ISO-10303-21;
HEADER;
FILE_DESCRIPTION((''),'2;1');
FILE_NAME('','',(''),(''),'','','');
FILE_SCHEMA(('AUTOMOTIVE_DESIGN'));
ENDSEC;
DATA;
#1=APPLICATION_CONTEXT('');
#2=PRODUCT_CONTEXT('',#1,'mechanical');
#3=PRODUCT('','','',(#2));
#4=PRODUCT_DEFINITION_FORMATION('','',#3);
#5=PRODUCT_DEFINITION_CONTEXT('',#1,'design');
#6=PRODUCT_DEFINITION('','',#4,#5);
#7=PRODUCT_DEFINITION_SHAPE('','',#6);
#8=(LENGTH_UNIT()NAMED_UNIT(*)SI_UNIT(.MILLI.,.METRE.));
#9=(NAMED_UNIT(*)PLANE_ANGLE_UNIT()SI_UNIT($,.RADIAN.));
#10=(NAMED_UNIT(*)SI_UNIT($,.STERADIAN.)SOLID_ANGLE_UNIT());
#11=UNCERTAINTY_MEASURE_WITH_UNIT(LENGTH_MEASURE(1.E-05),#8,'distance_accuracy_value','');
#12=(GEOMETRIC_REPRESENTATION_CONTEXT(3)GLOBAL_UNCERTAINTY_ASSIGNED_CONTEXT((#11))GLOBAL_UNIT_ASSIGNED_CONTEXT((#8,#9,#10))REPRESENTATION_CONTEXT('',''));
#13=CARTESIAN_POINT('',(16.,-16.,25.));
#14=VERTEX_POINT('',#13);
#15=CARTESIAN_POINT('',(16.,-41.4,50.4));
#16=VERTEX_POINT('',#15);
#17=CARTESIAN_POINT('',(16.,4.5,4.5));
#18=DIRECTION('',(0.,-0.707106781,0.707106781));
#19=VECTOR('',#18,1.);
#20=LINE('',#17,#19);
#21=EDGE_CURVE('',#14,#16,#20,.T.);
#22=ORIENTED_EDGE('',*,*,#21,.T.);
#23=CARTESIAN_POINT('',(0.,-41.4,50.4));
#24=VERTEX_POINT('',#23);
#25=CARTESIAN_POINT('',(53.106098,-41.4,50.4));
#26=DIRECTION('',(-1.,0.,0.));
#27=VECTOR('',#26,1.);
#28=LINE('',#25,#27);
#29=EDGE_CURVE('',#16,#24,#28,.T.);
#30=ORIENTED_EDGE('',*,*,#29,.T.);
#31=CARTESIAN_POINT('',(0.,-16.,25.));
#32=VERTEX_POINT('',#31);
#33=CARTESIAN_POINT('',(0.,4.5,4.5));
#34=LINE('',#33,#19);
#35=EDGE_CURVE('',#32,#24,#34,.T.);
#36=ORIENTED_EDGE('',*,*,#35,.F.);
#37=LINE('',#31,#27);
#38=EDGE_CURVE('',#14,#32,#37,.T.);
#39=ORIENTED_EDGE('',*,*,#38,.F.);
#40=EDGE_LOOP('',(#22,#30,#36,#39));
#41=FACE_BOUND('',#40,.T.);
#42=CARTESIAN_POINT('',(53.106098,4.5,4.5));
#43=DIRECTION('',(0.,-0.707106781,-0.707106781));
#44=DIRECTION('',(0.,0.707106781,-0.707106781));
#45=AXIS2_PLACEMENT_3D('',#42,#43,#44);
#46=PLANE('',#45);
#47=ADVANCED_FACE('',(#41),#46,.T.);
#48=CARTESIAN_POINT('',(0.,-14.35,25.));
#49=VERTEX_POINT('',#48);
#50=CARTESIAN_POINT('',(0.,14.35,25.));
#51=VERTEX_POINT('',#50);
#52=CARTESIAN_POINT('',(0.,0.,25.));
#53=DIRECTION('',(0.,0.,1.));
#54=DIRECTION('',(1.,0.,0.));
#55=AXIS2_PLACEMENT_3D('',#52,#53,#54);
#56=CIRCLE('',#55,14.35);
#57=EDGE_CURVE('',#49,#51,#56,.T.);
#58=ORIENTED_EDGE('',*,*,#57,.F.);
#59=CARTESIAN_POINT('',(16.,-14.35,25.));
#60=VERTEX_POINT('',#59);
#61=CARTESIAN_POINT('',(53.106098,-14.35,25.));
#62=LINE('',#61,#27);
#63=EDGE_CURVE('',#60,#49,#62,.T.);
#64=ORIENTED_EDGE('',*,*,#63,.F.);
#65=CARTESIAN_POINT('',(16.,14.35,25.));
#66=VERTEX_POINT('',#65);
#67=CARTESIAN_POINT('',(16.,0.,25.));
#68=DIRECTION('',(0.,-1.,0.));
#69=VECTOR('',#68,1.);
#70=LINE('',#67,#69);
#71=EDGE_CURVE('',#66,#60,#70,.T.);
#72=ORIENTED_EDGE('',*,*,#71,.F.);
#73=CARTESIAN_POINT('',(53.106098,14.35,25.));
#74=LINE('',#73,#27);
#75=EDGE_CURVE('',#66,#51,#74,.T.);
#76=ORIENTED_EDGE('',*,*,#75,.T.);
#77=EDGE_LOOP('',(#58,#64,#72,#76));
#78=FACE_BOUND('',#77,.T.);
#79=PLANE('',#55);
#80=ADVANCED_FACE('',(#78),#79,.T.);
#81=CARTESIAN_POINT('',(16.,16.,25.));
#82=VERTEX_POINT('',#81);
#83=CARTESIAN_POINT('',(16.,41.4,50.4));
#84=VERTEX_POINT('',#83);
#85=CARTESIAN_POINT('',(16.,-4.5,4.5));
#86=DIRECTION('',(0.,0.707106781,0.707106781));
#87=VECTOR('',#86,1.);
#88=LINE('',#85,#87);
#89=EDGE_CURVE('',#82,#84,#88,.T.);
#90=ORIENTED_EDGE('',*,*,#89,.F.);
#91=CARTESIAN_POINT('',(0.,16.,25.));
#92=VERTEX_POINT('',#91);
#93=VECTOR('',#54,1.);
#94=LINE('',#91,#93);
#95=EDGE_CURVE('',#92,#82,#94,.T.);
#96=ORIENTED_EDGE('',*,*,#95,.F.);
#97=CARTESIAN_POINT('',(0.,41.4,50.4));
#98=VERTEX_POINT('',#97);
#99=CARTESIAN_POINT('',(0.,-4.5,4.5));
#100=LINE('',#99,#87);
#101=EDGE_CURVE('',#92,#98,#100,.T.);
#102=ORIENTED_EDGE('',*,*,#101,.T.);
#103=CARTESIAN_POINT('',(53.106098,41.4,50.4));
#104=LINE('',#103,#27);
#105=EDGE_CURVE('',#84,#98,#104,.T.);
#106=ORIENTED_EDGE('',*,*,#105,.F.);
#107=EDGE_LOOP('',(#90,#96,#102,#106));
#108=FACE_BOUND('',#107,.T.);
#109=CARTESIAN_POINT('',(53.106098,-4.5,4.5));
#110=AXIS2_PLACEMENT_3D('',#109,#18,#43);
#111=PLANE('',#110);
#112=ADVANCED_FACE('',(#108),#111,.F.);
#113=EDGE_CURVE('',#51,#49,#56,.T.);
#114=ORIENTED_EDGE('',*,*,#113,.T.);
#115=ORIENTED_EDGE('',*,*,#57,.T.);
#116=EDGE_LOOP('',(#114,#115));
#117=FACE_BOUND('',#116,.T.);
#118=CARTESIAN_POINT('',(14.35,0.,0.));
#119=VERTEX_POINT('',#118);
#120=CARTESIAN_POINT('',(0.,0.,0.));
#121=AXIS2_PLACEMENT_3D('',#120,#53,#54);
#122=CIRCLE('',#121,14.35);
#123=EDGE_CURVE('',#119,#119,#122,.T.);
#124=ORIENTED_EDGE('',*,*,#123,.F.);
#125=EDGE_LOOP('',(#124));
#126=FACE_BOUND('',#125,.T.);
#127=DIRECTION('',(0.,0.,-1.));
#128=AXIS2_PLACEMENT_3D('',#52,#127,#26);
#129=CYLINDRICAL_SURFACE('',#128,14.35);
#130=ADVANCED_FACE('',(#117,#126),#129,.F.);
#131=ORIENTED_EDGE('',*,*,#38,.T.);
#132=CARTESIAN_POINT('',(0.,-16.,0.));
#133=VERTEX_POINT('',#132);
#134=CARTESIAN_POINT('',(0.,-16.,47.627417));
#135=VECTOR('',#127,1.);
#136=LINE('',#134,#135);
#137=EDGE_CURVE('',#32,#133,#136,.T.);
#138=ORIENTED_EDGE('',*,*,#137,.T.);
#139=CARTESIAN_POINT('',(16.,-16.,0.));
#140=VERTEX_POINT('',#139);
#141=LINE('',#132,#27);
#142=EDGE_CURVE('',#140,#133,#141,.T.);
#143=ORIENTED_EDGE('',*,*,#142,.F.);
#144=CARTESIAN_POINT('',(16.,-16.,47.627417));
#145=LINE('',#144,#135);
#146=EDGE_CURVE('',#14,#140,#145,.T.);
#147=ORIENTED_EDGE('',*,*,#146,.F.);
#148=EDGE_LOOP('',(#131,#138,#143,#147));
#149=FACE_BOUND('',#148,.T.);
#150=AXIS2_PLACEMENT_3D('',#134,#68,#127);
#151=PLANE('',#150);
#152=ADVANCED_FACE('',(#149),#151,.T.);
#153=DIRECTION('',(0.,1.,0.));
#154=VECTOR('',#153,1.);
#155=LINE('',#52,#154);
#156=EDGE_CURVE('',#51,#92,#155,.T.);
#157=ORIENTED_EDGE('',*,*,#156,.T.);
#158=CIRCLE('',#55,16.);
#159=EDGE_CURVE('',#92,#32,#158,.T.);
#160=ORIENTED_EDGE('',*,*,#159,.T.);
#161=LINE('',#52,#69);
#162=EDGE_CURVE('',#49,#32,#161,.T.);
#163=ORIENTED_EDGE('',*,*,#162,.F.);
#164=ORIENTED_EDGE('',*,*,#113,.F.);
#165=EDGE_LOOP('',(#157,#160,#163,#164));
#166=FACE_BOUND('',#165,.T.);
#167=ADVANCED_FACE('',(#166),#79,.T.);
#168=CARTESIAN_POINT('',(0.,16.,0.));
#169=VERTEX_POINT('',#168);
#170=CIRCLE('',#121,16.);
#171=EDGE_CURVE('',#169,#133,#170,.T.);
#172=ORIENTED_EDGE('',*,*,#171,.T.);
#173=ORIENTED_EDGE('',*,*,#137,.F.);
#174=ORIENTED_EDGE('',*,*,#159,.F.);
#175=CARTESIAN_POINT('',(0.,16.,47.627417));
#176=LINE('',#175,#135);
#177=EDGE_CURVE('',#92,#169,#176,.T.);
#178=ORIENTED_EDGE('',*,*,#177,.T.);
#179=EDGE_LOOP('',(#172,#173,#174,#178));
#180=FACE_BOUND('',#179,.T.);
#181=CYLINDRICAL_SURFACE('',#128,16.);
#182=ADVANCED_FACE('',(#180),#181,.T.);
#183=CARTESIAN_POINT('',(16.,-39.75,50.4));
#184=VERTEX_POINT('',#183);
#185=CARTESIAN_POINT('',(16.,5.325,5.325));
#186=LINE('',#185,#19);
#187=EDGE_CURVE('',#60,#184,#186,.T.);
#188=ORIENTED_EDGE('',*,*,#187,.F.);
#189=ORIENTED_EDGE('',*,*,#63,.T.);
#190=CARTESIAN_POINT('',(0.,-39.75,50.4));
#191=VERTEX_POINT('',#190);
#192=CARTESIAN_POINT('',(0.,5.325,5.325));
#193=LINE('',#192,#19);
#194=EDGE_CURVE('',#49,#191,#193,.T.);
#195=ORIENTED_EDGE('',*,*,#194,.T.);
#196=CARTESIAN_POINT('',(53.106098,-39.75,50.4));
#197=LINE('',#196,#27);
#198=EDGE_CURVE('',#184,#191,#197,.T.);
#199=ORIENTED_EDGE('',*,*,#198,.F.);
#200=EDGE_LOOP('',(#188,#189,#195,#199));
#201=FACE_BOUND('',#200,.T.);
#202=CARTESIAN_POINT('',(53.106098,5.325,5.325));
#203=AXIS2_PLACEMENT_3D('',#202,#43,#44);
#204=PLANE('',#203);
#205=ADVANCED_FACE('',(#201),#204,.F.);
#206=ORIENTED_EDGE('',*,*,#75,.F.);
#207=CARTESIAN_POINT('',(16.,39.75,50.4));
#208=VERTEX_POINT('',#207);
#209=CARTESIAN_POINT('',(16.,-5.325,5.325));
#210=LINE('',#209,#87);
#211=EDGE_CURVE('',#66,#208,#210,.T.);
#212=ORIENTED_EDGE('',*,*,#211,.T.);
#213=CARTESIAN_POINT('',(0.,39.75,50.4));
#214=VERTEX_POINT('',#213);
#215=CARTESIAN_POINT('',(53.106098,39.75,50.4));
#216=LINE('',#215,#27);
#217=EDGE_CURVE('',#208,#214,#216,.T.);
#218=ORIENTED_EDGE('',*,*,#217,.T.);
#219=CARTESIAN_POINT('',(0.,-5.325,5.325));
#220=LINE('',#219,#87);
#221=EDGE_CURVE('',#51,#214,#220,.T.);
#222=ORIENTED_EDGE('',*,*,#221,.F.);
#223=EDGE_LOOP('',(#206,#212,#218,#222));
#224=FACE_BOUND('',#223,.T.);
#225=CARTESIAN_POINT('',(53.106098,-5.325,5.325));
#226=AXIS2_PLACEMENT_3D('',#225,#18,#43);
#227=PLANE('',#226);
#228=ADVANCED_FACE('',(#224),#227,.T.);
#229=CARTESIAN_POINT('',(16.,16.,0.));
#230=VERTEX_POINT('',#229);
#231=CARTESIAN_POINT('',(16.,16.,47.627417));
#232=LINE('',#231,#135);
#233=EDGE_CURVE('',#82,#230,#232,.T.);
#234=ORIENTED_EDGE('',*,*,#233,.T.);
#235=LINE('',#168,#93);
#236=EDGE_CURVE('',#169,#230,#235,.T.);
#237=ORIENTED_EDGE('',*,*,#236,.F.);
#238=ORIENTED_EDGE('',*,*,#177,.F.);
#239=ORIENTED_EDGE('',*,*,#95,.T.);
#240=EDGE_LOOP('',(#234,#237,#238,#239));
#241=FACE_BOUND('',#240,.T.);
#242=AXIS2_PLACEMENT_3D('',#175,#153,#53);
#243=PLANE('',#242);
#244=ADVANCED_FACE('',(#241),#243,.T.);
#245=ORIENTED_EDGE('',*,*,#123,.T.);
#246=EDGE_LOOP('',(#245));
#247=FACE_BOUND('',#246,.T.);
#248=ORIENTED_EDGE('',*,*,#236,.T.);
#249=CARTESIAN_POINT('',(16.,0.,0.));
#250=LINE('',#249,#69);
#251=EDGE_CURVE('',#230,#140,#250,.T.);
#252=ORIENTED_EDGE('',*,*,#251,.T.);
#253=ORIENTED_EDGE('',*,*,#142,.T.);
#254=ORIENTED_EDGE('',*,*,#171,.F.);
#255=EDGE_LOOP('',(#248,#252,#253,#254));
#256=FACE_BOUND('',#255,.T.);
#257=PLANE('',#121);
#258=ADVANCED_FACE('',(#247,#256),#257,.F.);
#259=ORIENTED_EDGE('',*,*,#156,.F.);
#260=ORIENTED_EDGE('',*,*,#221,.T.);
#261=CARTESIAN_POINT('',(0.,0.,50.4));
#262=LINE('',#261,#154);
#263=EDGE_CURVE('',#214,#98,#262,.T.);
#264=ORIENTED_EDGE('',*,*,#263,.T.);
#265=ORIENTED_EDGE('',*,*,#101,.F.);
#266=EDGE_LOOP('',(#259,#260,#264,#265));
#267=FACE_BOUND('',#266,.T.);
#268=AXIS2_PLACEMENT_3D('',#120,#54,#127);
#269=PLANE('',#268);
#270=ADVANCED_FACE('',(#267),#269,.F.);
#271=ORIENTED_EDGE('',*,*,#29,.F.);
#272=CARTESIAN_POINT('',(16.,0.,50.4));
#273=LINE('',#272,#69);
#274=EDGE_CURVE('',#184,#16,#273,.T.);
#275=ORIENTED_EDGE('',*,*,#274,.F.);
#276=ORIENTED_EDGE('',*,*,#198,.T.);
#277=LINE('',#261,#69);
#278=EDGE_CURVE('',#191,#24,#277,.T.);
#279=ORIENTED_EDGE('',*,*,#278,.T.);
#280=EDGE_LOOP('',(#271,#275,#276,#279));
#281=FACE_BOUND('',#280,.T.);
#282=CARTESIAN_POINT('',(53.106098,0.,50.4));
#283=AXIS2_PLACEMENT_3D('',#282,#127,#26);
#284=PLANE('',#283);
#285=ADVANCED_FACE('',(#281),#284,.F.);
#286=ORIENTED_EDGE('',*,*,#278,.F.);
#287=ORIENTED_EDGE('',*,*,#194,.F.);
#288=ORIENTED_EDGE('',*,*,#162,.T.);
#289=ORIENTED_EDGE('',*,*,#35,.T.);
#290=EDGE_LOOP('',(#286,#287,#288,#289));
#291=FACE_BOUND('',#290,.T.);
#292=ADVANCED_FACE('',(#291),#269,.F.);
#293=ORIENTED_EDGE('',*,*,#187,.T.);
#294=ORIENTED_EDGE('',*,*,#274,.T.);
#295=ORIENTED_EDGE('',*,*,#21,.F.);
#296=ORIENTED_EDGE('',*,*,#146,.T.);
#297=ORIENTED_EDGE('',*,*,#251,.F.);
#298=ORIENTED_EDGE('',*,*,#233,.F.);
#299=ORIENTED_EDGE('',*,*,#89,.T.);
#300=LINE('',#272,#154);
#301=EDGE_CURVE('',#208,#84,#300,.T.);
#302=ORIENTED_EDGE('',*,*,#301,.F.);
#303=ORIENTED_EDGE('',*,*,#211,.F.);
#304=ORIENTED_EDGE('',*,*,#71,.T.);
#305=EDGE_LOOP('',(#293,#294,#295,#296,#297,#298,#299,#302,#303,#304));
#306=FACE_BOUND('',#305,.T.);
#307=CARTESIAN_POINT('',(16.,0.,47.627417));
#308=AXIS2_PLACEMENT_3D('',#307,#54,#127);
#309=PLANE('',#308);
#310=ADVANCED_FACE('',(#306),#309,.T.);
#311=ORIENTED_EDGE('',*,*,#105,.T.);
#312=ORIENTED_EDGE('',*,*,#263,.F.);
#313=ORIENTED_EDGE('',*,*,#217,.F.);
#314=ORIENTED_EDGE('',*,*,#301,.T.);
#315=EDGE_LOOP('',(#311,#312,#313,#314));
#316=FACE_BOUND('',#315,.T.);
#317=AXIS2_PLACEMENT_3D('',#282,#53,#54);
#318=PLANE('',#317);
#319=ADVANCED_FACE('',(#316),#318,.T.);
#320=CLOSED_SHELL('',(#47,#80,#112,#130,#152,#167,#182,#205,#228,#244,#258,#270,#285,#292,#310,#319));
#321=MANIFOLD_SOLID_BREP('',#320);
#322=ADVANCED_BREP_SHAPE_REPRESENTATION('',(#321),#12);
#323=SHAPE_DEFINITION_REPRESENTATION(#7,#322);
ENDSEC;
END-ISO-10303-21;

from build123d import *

# Parameters (mm, degrees)
SKETCH1_R           = 16
SKETCH1_R_2         = 14.35
BOSS_EXTRUDE1_DEPTH = 25
BOSS_EXTRUDE3_DEPTH = 25
BOSS_EXTRUDE4_DEPTH = 16


with BuildPart() as part:
    # Sketch1 → Boss-Extrude1 (new body)
    with BuildSketch(Plane.XY):
        Circle(SKETCH1_R)
        Circle(SKETCH1_R_2, mode=Mode.SUBTRACT)
    extrude(amount=BOSS_EXTRUDE1_DEPTH)

    # Sketch3 → Boss-Extrude3 (add)
    with BuildSketch(Plane.XY):
        with BuildLine():
            Line((16, 16), (0, 16))
            ThreePointArc((0, 16), (11.313708499, 11.313708499), (16, 0))
            Line((16, 0), (16, 16))
        make_face()
        with BuildLine():
            Line((16, -16), (16, 0))
            ThreePointArc((16, 0), (11.313708499, -11.313708499), (0, -16))
            Line((0, -16), (16, -16))
        make_face()
    extrude(amount=BOSS_EXTRUDE3_DEPTH)

    # Sketch2 → Boss-Extrude4 (add)
    with BuildSketch(Plane(origin=(0, 0, 0), x_dir=(0, 0, -1), z_dir=(1, 0, 0))):
        Polygon((-25, 14.35), (-50.4, 39.75), (-50.4, 41.4), (-25, 16), align=None)
        Polygon((-25, -14.35), (-25, -16), (-50.4, -41.4), (-50.4, -39.75), align=None)
    extrude(amount=BOSS_EXTRUDE4_DEPTH)


solid = part.part
